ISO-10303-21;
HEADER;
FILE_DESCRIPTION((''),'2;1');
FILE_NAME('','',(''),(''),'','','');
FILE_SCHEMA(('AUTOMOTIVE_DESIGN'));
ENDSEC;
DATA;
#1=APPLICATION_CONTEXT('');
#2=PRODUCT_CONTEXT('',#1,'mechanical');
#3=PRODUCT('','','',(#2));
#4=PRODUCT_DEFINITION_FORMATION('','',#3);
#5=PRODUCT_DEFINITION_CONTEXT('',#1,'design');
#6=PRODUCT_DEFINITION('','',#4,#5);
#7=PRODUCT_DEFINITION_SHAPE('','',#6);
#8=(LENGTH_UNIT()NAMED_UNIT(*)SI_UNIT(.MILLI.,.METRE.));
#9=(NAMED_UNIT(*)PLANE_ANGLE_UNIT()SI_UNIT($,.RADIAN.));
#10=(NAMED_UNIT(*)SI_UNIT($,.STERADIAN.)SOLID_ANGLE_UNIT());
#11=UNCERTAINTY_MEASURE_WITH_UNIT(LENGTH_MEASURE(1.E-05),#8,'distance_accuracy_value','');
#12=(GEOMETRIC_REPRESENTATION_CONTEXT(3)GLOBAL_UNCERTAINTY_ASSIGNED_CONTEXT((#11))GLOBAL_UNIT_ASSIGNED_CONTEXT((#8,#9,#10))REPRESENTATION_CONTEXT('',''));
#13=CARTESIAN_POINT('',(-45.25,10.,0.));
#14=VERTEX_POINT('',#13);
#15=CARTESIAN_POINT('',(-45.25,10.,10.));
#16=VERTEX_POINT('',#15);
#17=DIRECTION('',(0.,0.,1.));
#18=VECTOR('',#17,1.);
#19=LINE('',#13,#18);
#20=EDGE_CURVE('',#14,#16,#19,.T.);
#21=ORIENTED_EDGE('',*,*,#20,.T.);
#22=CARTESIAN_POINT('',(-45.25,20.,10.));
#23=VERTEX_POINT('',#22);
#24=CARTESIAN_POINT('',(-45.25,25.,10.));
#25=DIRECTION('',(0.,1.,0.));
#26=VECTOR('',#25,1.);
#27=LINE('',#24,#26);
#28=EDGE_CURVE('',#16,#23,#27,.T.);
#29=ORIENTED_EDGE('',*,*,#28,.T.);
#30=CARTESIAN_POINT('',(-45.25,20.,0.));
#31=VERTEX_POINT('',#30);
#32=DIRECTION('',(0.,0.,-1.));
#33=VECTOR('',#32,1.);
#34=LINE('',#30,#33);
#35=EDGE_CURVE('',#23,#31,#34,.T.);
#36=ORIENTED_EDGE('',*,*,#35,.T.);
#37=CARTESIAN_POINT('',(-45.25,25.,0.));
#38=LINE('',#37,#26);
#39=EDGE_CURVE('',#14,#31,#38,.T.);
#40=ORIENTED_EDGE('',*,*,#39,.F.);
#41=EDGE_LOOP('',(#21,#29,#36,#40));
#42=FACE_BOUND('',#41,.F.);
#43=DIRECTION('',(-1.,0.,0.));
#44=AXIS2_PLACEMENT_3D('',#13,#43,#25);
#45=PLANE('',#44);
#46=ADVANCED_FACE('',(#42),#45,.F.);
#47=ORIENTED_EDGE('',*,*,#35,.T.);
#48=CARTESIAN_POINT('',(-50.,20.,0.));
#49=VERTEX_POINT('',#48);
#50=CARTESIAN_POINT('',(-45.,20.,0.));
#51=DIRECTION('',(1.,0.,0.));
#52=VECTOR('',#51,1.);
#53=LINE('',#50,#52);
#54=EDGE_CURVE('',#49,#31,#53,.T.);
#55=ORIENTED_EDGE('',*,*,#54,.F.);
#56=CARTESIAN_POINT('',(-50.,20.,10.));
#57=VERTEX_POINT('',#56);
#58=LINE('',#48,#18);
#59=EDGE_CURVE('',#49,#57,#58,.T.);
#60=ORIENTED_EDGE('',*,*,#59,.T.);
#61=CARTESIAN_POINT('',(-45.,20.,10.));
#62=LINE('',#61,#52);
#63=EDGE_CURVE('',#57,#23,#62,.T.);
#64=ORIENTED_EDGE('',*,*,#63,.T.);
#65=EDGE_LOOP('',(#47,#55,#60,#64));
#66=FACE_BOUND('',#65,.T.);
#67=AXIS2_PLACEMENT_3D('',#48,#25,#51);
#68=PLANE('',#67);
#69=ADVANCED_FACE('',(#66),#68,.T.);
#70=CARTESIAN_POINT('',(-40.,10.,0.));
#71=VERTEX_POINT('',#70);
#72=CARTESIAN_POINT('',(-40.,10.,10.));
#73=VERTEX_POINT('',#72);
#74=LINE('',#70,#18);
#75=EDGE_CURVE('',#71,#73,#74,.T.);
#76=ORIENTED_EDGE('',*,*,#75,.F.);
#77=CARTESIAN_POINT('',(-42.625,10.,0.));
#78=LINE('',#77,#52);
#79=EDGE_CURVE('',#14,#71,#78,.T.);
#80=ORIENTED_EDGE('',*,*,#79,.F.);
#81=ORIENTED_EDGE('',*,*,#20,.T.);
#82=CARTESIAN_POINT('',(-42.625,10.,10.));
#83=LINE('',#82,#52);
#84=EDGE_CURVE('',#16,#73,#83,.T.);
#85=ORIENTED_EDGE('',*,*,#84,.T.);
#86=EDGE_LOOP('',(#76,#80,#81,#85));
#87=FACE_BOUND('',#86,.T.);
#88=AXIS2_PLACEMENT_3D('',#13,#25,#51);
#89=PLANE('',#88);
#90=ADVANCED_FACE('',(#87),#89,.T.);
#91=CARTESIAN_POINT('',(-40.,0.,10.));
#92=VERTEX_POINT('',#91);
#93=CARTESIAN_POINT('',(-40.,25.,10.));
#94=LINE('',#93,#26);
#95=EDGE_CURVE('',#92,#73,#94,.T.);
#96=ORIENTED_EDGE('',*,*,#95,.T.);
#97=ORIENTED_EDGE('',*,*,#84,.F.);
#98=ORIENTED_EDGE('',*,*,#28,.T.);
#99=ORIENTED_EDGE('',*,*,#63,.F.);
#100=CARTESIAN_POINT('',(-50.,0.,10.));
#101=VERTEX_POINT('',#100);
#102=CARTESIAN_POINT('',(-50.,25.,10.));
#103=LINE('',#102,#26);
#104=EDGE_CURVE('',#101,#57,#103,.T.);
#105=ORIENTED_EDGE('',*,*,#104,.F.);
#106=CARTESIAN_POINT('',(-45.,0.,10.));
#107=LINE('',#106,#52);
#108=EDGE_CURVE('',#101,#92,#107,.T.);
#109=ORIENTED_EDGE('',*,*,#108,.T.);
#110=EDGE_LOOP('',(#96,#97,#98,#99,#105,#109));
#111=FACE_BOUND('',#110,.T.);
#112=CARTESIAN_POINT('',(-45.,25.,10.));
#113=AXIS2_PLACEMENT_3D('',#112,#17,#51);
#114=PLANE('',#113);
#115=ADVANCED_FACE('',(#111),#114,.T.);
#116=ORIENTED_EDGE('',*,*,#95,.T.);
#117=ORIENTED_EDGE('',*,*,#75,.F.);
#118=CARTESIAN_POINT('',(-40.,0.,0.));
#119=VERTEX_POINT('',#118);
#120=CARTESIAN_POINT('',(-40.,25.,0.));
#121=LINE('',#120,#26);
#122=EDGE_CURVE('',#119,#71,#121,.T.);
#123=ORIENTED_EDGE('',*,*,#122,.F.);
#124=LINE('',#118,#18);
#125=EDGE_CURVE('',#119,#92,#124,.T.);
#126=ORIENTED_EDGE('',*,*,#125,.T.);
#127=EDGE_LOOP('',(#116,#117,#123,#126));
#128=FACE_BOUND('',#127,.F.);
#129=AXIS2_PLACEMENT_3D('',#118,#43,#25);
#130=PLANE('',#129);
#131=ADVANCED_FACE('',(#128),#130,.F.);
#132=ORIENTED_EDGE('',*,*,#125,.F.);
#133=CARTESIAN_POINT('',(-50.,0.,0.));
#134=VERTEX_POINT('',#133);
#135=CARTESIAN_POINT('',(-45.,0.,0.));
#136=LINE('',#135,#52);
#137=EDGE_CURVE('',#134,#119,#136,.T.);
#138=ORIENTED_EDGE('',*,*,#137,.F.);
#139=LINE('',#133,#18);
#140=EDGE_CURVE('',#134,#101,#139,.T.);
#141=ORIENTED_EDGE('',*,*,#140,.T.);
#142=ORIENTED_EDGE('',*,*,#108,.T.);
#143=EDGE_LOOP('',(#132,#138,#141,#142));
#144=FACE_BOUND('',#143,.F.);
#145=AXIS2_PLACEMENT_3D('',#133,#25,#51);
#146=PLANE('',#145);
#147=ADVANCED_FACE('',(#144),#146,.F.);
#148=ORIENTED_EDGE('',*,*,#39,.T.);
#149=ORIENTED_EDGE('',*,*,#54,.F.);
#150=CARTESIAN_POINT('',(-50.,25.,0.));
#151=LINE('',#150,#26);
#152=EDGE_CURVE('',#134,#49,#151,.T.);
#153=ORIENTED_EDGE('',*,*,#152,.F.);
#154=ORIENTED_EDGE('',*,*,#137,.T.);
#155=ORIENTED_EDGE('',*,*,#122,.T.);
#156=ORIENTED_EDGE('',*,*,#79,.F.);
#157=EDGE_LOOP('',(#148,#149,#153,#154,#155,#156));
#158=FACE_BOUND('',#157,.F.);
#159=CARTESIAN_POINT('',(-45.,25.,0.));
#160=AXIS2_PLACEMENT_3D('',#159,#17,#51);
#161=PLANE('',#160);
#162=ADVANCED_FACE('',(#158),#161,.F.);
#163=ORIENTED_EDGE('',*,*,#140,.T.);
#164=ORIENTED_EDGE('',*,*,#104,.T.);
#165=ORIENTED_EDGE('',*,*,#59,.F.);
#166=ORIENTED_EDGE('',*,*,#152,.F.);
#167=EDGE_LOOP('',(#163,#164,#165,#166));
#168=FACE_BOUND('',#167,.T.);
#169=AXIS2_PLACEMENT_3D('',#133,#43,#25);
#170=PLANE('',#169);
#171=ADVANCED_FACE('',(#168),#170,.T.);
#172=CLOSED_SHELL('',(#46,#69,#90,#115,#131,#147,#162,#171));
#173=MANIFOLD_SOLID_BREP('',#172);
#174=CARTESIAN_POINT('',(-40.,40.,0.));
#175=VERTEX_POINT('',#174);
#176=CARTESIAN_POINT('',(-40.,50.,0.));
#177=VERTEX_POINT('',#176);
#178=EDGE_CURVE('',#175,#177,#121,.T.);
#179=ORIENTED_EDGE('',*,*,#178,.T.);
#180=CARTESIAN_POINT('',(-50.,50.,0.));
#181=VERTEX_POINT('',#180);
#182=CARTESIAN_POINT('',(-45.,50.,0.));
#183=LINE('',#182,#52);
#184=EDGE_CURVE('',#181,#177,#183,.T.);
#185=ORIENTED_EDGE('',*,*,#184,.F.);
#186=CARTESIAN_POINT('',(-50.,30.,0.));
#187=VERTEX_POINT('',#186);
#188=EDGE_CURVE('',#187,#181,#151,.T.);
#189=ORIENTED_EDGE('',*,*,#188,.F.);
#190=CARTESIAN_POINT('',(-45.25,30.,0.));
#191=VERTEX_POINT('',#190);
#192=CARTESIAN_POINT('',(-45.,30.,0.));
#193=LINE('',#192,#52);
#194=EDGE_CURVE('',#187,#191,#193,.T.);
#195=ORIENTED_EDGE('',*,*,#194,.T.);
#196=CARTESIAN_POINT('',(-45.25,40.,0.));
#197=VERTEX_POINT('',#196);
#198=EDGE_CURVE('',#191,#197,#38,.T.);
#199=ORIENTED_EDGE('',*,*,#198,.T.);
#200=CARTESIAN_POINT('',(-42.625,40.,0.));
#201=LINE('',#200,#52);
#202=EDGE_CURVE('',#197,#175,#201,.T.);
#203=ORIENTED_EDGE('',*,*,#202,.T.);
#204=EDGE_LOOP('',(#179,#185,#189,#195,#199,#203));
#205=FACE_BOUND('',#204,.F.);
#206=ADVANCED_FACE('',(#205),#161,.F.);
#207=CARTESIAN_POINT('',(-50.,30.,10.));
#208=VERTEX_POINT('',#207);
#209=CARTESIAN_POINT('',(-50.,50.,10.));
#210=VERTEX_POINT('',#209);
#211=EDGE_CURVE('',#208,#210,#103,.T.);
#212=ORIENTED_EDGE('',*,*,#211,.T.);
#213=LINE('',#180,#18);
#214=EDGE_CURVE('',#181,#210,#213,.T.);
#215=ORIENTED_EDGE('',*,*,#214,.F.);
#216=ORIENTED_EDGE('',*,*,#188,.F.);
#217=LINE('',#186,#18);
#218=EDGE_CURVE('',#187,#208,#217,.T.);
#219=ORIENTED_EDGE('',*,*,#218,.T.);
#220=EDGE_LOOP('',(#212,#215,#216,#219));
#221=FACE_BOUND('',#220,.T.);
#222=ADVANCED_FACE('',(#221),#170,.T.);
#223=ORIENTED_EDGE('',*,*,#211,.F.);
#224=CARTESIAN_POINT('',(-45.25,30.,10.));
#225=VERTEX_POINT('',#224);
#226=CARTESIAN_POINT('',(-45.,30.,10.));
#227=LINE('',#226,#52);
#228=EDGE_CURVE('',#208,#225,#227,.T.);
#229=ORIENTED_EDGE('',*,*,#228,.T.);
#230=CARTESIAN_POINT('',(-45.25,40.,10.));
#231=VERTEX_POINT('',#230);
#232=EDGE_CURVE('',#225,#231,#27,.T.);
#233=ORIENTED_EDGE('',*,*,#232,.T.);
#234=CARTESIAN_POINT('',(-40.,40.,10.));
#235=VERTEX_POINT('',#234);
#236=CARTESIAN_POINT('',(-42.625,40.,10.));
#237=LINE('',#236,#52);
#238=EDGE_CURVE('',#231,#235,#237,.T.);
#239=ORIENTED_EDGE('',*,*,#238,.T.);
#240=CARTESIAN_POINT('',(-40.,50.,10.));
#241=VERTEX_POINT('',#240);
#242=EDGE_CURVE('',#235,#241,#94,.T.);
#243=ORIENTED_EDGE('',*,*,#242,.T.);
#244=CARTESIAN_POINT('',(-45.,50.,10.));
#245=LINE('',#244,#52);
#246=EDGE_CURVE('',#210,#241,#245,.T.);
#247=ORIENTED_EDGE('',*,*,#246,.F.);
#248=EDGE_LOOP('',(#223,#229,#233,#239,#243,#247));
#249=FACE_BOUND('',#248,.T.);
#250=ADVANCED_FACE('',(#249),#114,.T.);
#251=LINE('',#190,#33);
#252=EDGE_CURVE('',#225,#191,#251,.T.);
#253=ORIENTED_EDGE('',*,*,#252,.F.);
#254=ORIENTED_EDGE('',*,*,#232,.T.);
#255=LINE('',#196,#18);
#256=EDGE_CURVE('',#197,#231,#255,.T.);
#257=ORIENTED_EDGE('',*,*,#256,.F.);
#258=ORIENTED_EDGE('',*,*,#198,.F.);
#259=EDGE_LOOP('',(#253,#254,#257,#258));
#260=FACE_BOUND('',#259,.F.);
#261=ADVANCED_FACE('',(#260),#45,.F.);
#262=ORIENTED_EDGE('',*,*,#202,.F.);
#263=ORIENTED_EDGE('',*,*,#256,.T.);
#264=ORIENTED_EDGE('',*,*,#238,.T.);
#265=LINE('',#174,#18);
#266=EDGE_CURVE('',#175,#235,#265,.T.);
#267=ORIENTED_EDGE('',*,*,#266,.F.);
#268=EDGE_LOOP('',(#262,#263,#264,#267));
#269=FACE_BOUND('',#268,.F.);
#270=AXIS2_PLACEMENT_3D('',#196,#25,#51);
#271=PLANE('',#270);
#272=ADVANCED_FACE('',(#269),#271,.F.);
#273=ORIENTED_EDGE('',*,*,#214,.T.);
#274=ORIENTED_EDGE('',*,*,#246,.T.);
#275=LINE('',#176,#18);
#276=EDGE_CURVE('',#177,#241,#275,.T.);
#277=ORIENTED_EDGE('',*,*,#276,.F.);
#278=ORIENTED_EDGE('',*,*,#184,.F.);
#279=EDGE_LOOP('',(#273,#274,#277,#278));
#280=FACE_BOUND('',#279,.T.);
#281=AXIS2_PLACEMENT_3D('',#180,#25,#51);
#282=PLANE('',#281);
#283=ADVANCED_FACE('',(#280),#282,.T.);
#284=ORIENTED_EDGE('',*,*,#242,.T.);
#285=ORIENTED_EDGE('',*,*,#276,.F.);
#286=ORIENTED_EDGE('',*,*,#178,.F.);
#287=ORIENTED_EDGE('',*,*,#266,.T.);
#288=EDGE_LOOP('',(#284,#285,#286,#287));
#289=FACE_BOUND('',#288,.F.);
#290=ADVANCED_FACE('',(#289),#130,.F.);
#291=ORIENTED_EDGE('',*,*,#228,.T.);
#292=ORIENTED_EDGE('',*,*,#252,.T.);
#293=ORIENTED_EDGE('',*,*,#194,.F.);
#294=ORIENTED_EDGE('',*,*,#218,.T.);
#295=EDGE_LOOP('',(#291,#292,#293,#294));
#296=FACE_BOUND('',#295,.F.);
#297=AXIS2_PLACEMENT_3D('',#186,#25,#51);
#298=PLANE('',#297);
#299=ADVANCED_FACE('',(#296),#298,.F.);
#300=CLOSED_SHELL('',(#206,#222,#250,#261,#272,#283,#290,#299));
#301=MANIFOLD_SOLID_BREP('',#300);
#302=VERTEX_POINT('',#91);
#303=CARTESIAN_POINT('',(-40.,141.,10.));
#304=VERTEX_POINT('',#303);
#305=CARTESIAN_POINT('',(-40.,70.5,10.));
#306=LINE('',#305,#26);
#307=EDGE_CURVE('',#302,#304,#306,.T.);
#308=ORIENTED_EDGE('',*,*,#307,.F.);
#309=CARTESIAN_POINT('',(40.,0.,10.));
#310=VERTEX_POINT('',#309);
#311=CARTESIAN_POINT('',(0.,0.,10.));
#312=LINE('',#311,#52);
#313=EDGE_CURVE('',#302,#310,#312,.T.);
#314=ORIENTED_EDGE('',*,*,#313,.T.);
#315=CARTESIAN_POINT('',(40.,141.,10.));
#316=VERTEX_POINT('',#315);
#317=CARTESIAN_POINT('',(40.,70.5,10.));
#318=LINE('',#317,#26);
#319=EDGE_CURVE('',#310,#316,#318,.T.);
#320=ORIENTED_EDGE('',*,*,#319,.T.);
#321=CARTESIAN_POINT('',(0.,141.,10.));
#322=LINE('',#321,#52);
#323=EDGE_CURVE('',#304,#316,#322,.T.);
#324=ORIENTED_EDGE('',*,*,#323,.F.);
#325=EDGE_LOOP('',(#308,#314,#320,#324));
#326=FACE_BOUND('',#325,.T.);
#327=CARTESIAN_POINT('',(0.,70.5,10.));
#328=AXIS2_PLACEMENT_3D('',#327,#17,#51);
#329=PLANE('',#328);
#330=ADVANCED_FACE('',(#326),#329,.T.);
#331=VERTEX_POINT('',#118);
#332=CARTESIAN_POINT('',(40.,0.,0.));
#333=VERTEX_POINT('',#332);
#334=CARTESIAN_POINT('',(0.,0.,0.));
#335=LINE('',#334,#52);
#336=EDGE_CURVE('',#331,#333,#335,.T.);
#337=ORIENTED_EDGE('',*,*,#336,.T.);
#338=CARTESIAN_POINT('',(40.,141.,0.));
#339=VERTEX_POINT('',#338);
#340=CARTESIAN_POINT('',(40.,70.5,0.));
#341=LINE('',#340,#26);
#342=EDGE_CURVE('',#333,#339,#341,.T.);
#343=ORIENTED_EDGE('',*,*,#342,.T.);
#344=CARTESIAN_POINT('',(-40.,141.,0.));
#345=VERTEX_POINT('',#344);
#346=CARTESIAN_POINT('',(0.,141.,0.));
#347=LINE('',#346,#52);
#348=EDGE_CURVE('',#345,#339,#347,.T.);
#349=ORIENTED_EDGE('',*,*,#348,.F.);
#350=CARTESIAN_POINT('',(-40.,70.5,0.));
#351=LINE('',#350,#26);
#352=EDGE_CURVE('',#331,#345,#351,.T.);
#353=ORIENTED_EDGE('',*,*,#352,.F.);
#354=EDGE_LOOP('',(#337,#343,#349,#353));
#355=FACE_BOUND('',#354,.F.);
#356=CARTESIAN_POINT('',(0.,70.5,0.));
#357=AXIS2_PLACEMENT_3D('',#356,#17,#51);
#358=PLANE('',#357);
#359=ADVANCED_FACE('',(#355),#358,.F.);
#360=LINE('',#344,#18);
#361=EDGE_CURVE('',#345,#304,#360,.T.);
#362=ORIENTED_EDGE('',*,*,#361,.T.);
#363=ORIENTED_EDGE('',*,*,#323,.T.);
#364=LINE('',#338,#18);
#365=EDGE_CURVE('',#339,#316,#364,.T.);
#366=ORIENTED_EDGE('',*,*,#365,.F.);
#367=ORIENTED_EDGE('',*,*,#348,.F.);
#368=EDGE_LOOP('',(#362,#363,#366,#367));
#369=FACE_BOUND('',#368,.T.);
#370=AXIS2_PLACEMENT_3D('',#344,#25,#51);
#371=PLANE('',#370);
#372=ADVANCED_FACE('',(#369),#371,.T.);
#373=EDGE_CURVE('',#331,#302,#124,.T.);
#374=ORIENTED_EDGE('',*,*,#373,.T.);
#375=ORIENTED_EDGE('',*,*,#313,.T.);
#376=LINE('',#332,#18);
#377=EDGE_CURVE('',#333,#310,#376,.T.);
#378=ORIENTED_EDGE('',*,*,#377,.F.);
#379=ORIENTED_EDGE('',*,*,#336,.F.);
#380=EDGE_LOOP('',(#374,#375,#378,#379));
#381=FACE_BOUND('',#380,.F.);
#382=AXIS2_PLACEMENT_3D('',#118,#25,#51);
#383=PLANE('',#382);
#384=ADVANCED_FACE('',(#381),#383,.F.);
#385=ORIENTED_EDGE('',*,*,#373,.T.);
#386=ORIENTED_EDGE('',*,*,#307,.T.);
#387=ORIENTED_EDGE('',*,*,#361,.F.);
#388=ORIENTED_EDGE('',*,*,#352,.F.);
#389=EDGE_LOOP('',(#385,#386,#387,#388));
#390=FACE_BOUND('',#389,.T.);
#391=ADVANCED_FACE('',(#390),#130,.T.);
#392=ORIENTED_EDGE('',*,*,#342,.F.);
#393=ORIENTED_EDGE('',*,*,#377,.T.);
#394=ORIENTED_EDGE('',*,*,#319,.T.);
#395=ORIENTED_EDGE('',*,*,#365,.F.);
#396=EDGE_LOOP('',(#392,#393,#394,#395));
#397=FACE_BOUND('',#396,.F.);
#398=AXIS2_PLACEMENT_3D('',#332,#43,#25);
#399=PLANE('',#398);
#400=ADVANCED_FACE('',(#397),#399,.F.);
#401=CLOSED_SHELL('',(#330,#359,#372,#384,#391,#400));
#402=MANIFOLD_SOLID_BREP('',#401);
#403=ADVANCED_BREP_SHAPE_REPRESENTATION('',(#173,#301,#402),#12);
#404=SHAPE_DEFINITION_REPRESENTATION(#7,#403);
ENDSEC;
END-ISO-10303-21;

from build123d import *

# Parameters (mm, degrees)
BOX_W        = 80
BOX_H        = 141
BOX_DEPTH    = 10
BOX003_W     = 10
BOX003_H     = 10
BOX003_DEPTH = 10
BOX002_W     = 5.25
BOX002_H     = 30
BOX002_DEPTH = 10
BOX001_W     = 10
BOX001_H     = 50
BOX001_DEPTH = 10


with BuildPart() as cube:
    # Box → Box (new body)
    with BuildSketch(Plane(origin=(-40, 0, 0), x_dir=(1, 0, 0), z_dir=(0, 0, 1))):
        with Locations((40, 70.5)):
            Rectangle(BOX_W, BOX_H)
    extrude(amount=BOX_DEPTH)


with BuildPart() as box003:
    # Box003 → Box003 (new body)
    with BuildSketch(Plane(origin=(-50, 20, 0), x_dir=(1, 0, 0), z_dir=(0, 0, 1))):
        with Locations((5, 5)):
            Rectangle(BOX003_W, BOX003_H)
    extrude(amount=BOX003_DEPTH)


with BuildPart() as box002:
    # Box002 → Box002 (new body)
    with BuildSketch(Plane(origin=(-45.25, 10, 0), x_dir=(1, 0, 0), z_dir=(0, 0, 1))):
        with Locations((2.625, 15)):
            Rectangle(BOX002_W, BOX002_H)
    extrude(amount=BOX002_DEPTH)


with BuildPart() as cut001:
    # Box001 → Box001 (new body)
    with BuildSketch(Plane(origin=(-50, 0, 0), x_dir=(1, 0, 0), z_dir=(0, 0, 1))):
        with Locations((5, 25)):
            Rectangle(BOX001_W, BOX001_H)
    extrude(amount=BOX001_DEPTH)

    # Cut: cut Box002
    add(box002.part, mode=Mode.SUBTRACT)

    # Cut001: cut Box003
    add(box003.part, mode=Mode.SUBTRACT)


solid = Compound([cube.part, cut001.part])
